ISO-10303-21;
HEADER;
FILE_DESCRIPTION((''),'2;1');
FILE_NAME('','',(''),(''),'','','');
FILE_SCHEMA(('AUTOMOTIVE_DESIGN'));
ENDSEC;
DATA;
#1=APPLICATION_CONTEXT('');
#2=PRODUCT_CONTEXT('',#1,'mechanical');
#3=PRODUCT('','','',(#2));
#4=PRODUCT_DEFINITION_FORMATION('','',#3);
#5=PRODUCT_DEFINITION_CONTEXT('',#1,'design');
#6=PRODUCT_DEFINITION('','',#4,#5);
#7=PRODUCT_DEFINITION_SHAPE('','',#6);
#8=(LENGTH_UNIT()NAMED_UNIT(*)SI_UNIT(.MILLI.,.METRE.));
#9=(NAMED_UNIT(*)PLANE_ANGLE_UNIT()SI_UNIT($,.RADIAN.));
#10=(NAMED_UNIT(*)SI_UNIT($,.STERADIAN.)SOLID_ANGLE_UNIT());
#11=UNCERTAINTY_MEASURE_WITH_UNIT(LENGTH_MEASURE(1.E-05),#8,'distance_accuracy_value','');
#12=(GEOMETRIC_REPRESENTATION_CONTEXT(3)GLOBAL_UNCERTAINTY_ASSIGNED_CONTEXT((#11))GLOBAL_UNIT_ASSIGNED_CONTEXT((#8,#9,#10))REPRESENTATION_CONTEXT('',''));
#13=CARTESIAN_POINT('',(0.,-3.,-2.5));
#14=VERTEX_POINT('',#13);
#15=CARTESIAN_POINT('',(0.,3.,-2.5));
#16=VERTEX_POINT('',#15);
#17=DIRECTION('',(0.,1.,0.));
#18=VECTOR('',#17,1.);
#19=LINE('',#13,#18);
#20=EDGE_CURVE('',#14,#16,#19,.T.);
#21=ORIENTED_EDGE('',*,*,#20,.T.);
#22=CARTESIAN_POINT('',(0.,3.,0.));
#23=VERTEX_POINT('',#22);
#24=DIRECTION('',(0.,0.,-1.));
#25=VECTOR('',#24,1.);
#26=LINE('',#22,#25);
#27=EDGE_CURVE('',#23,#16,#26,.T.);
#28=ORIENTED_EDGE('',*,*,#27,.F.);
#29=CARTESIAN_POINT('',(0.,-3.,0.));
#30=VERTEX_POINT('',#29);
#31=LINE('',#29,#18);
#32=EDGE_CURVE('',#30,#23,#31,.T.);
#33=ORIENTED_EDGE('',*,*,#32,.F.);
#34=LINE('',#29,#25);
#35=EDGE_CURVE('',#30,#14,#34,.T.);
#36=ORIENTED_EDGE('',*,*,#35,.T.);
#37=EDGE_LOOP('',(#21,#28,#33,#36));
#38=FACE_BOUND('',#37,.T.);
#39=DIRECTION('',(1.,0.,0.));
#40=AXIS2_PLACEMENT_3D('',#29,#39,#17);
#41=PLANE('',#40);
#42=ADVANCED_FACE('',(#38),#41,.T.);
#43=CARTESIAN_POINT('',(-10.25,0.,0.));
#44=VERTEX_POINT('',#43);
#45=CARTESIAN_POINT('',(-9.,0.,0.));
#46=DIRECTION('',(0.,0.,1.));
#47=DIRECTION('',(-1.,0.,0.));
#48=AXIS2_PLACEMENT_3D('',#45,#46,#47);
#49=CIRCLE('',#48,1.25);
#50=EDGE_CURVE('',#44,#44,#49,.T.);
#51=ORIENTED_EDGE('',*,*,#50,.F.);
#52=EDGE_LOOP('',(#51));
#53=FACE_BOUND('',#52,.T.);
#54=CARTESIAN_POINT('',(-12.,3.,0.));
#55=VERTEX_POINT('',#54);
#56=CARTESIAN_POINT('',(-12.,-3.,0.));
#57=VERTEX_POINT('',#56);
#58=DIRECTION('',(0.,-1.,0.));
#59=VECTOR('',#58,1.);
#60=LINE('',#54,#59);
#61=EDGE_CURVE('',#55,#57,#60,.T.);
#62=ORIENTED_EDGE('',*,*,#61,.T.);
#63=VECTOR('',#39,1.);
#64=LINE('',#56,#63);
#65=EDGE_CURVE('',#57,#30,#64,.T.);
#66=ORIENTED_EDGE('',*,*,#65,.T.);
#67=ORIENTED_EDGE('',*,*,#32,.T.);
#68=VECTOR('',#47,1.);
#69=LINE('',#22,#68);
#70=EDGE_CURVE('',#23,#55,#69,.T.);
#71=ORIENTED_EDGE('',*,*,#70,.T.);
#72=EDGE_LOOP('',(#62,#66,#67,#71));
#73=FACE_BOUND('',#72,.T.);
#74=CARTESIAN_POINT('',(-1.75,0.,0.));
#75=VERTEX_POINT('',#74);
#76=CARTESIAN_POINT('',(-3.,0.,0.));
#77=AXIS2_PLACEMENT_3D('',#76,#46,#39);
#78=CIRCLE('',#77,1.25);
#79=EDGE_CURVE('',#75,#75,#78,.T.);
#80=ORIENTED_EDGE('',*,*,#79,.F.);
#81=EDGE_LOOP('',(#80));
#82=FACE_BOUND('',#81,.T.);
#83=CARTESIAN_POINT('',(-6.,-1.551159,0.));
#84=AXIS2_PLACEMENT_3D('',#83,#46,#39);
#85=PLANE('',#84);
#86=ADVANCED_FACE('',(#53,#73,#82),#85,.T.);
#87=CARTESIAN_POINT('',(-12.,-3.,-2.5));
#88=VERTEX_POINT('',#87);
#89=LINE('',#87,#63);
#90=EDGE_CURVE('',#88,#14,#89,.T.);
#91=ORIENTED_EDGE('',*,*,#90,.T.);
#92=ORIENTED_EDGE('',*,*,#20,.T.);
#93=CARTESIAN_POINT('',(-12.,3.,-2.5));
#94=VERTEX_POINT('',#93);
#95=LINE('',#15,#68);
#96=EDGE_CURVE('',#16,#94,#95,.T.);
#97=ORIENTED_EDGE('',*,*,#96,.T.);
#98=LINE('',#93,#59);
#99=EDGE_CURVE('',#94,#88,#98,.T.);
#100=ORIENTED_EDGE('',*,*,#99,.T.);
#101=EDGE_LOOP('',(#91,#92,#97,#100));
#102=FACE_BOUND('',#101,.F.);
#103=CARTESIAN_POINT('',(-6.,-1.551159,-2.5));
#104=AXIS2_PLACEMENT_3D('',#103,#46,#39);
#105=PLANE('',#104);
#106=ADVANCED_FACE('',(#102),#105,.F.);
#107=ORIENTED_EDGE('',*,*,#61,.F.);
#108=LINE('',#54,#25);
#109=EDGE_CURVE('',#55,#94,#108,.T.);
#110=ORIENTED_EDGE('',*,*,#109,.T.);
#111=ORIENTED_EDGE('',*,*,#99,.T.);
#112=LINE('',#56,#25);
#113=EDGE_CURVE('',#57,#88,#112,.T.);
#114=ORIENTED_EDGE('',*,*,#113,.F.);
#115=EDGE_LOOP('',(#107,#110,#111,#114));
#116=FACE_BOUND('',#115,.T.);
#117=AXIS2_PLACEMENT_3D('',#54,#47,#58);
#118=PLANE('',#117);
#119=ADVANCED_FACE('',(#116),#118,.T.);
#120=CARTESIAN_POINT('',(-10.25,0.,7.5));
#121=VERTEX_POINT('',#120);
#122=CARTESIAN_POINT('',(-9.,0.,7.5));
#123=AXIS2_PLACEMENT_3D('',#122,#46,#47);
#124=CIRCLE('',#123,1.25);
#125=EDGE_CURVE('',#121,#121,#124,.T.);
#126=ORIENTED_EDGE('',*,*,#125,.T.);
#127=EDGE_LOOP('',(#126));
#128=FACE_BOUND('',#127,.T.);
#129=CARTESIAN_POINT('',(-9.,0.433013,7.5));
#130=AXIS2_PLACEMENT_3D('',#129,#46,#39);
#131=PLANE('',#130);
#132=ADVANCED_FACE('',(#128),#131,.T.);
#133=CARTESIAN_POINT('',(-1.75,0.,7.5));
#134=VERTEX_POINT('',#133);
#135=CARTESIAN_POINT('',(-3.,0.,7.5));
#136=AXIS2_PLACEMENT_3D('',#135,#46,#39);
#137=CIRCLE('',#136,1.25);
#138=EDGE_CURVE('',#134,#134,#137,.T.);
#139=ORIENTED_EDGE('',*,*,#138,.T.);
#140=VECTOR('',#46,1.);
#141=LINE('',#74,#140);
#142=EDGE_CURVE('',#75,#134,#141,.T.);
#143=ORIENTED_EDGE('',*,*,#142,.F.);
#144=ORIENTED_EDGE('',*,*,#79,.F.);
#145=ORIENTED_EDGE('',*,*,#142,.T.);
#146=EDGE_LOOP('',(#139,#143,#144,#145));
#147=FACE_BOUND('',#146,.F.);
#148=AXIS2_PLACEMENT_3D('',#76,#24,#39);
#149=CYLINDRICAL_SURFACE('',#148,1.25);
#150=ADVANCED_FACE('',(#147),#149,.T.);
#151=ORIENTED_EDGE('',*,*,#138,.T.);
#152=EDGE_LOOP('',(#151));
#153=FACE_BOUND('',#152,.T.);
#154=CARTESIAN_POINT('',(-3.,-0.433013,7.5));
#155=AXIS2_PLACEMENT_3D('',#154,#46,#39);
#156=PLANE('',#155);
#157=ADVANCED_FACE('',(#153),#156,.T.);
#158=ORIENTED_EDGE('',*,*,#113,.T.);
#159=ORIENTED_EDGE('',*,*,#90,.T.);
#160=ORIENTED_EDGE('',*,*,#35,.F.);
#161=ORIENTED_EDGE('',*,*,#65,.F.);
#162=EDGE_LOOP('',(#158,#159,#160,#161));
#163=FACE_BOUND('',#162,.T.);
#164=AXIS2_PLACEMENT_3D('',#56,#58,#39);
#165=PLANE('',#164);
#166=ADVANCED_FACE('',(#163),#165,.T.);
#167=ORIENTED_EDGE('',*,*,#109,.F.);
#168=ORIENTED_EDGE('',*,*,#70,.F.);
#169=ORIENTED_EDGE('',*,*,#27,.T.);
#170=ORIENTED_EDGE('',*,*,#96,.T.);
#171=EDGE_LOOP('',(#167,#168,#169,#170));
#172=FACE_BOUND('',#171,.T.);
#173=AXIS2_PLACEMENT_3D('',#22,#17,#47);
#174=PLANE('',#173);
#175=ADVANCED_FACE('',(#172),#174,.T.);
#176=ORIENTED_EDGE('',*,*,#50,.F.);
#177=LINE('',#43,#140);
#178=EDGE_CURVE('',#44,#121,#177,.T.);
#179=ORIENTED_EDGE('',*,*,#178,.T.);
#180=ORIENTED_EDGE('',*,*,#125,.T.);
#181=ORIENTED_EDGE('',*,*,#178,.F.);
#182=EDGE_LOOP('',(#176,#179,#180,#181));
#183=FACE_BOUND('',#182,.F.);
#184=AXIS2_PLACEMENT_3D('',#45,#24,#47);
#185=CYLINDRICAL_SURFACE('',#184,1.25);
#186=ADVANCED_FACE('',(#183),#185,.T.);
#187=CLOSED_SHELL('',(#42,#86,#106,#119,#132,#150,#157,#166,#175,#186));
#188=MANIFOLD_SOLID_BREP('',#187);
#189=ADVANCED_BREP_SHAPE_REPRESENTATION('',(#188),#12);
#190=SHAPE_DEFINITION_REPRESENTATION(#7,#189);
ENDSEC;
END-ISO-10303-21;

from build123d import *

# Parameters (mm, degrees)
F1_DEPTH = 2.5
F2_DEPTH = 7.5


with BuildPart() as f1:
    # F0 (on Top) → F1 (new body)
    with BuildSketch(Plane.XY):
        with BuildLine():
            Line((-4.25, 0), (-7.75, 0))
            ThreePointArc((-7.75, 0), (-9, -1.25), (-10.25, 0))
            Line((-10.25, 0), (-12, 0))
            Line((-12, 0), (-12, -3))
            Line((-12, -3), (0, -3))
            Line((0, -3), (0, 0))
            Line((0, 0), (-1.75, 0))
            ThreePointArc((-1.75, 0), (-3, -1.25), (-4.25, 0))
        make_face()
        with BuildLine():
            ThreePointArc((-10.25, 0), (-9, 1.25), (-7.75, 0))
            Line((-7.75, 0), (-4.25, 0))
            ThreePointArc((-4.25, 0), (-3, 1.25), (-1.75, 0))
            Line((-1.75, 0), (0, 0))
            Line((0, 0), (0, 3))
            Line((0, 3), (-12, 3))
            Line((-12, 3), (-12, 0))
            Line((-12, 0), (-10.25, 0))
        make_face()
        with BuildLine():
            ThreePointArc((-10.25, 0), (-9, -1.25), (-7.75, 0))
            Line((-7.75, 0), (-10.25, 0))
        make_face()
        with BuildLine():
            Line((-10.25, 0), (-7.75, 0))
            ThreePointArc((-7.75, 0), (-9, 1.25), (-10.25, 0))
        make_face()
        with BuildLine():
            Line((-1.75, 0), (-4.25, 0))
            ThreePointArc((-4.25, 0), (-3, -1.25), (-1.75, 0))
        make_face()
        with BuildLine():
            ThreePointArc((-1.75, 0), (-3, 1.25), (-4.25, 0))
            Line((-4.25, 0), (-1.75, 0))
        make_face()
    extrude(amount=-F1_DEPTH)

    # F0 (on Top) → F2 (join)
    with BuildSketch(Plane.XY):
        with BuildLine():
            Line((-10.25, 0), (-7.75, 0))
            ThreePointArc((-7.75, 0), (-9, 1.25), (-10.25, 0))
        make_face()
        with BuildLine():
            ThreePointArc((-10.25, 0), (-9, -1.25), (-7.75, 0))
            Line((-7.75, 0), (-10.25, 0))
        make_face()
        with BuildLine():
            Line((-1.75, 0), (-4.25, 0))
            ThreePointArc((-4.25, 0), (-3, -1.25), (-1.75, 0))
        make_face()
        with BuildLine():
            ThreePointArc((-1.75, 0), (-3, 1.25), (-4.25, 0))
            Line((-4.25, 0), (-1.75, 0))
        make_face()
    extrude(amount=F2_DEPTH)


solid = f1.part
